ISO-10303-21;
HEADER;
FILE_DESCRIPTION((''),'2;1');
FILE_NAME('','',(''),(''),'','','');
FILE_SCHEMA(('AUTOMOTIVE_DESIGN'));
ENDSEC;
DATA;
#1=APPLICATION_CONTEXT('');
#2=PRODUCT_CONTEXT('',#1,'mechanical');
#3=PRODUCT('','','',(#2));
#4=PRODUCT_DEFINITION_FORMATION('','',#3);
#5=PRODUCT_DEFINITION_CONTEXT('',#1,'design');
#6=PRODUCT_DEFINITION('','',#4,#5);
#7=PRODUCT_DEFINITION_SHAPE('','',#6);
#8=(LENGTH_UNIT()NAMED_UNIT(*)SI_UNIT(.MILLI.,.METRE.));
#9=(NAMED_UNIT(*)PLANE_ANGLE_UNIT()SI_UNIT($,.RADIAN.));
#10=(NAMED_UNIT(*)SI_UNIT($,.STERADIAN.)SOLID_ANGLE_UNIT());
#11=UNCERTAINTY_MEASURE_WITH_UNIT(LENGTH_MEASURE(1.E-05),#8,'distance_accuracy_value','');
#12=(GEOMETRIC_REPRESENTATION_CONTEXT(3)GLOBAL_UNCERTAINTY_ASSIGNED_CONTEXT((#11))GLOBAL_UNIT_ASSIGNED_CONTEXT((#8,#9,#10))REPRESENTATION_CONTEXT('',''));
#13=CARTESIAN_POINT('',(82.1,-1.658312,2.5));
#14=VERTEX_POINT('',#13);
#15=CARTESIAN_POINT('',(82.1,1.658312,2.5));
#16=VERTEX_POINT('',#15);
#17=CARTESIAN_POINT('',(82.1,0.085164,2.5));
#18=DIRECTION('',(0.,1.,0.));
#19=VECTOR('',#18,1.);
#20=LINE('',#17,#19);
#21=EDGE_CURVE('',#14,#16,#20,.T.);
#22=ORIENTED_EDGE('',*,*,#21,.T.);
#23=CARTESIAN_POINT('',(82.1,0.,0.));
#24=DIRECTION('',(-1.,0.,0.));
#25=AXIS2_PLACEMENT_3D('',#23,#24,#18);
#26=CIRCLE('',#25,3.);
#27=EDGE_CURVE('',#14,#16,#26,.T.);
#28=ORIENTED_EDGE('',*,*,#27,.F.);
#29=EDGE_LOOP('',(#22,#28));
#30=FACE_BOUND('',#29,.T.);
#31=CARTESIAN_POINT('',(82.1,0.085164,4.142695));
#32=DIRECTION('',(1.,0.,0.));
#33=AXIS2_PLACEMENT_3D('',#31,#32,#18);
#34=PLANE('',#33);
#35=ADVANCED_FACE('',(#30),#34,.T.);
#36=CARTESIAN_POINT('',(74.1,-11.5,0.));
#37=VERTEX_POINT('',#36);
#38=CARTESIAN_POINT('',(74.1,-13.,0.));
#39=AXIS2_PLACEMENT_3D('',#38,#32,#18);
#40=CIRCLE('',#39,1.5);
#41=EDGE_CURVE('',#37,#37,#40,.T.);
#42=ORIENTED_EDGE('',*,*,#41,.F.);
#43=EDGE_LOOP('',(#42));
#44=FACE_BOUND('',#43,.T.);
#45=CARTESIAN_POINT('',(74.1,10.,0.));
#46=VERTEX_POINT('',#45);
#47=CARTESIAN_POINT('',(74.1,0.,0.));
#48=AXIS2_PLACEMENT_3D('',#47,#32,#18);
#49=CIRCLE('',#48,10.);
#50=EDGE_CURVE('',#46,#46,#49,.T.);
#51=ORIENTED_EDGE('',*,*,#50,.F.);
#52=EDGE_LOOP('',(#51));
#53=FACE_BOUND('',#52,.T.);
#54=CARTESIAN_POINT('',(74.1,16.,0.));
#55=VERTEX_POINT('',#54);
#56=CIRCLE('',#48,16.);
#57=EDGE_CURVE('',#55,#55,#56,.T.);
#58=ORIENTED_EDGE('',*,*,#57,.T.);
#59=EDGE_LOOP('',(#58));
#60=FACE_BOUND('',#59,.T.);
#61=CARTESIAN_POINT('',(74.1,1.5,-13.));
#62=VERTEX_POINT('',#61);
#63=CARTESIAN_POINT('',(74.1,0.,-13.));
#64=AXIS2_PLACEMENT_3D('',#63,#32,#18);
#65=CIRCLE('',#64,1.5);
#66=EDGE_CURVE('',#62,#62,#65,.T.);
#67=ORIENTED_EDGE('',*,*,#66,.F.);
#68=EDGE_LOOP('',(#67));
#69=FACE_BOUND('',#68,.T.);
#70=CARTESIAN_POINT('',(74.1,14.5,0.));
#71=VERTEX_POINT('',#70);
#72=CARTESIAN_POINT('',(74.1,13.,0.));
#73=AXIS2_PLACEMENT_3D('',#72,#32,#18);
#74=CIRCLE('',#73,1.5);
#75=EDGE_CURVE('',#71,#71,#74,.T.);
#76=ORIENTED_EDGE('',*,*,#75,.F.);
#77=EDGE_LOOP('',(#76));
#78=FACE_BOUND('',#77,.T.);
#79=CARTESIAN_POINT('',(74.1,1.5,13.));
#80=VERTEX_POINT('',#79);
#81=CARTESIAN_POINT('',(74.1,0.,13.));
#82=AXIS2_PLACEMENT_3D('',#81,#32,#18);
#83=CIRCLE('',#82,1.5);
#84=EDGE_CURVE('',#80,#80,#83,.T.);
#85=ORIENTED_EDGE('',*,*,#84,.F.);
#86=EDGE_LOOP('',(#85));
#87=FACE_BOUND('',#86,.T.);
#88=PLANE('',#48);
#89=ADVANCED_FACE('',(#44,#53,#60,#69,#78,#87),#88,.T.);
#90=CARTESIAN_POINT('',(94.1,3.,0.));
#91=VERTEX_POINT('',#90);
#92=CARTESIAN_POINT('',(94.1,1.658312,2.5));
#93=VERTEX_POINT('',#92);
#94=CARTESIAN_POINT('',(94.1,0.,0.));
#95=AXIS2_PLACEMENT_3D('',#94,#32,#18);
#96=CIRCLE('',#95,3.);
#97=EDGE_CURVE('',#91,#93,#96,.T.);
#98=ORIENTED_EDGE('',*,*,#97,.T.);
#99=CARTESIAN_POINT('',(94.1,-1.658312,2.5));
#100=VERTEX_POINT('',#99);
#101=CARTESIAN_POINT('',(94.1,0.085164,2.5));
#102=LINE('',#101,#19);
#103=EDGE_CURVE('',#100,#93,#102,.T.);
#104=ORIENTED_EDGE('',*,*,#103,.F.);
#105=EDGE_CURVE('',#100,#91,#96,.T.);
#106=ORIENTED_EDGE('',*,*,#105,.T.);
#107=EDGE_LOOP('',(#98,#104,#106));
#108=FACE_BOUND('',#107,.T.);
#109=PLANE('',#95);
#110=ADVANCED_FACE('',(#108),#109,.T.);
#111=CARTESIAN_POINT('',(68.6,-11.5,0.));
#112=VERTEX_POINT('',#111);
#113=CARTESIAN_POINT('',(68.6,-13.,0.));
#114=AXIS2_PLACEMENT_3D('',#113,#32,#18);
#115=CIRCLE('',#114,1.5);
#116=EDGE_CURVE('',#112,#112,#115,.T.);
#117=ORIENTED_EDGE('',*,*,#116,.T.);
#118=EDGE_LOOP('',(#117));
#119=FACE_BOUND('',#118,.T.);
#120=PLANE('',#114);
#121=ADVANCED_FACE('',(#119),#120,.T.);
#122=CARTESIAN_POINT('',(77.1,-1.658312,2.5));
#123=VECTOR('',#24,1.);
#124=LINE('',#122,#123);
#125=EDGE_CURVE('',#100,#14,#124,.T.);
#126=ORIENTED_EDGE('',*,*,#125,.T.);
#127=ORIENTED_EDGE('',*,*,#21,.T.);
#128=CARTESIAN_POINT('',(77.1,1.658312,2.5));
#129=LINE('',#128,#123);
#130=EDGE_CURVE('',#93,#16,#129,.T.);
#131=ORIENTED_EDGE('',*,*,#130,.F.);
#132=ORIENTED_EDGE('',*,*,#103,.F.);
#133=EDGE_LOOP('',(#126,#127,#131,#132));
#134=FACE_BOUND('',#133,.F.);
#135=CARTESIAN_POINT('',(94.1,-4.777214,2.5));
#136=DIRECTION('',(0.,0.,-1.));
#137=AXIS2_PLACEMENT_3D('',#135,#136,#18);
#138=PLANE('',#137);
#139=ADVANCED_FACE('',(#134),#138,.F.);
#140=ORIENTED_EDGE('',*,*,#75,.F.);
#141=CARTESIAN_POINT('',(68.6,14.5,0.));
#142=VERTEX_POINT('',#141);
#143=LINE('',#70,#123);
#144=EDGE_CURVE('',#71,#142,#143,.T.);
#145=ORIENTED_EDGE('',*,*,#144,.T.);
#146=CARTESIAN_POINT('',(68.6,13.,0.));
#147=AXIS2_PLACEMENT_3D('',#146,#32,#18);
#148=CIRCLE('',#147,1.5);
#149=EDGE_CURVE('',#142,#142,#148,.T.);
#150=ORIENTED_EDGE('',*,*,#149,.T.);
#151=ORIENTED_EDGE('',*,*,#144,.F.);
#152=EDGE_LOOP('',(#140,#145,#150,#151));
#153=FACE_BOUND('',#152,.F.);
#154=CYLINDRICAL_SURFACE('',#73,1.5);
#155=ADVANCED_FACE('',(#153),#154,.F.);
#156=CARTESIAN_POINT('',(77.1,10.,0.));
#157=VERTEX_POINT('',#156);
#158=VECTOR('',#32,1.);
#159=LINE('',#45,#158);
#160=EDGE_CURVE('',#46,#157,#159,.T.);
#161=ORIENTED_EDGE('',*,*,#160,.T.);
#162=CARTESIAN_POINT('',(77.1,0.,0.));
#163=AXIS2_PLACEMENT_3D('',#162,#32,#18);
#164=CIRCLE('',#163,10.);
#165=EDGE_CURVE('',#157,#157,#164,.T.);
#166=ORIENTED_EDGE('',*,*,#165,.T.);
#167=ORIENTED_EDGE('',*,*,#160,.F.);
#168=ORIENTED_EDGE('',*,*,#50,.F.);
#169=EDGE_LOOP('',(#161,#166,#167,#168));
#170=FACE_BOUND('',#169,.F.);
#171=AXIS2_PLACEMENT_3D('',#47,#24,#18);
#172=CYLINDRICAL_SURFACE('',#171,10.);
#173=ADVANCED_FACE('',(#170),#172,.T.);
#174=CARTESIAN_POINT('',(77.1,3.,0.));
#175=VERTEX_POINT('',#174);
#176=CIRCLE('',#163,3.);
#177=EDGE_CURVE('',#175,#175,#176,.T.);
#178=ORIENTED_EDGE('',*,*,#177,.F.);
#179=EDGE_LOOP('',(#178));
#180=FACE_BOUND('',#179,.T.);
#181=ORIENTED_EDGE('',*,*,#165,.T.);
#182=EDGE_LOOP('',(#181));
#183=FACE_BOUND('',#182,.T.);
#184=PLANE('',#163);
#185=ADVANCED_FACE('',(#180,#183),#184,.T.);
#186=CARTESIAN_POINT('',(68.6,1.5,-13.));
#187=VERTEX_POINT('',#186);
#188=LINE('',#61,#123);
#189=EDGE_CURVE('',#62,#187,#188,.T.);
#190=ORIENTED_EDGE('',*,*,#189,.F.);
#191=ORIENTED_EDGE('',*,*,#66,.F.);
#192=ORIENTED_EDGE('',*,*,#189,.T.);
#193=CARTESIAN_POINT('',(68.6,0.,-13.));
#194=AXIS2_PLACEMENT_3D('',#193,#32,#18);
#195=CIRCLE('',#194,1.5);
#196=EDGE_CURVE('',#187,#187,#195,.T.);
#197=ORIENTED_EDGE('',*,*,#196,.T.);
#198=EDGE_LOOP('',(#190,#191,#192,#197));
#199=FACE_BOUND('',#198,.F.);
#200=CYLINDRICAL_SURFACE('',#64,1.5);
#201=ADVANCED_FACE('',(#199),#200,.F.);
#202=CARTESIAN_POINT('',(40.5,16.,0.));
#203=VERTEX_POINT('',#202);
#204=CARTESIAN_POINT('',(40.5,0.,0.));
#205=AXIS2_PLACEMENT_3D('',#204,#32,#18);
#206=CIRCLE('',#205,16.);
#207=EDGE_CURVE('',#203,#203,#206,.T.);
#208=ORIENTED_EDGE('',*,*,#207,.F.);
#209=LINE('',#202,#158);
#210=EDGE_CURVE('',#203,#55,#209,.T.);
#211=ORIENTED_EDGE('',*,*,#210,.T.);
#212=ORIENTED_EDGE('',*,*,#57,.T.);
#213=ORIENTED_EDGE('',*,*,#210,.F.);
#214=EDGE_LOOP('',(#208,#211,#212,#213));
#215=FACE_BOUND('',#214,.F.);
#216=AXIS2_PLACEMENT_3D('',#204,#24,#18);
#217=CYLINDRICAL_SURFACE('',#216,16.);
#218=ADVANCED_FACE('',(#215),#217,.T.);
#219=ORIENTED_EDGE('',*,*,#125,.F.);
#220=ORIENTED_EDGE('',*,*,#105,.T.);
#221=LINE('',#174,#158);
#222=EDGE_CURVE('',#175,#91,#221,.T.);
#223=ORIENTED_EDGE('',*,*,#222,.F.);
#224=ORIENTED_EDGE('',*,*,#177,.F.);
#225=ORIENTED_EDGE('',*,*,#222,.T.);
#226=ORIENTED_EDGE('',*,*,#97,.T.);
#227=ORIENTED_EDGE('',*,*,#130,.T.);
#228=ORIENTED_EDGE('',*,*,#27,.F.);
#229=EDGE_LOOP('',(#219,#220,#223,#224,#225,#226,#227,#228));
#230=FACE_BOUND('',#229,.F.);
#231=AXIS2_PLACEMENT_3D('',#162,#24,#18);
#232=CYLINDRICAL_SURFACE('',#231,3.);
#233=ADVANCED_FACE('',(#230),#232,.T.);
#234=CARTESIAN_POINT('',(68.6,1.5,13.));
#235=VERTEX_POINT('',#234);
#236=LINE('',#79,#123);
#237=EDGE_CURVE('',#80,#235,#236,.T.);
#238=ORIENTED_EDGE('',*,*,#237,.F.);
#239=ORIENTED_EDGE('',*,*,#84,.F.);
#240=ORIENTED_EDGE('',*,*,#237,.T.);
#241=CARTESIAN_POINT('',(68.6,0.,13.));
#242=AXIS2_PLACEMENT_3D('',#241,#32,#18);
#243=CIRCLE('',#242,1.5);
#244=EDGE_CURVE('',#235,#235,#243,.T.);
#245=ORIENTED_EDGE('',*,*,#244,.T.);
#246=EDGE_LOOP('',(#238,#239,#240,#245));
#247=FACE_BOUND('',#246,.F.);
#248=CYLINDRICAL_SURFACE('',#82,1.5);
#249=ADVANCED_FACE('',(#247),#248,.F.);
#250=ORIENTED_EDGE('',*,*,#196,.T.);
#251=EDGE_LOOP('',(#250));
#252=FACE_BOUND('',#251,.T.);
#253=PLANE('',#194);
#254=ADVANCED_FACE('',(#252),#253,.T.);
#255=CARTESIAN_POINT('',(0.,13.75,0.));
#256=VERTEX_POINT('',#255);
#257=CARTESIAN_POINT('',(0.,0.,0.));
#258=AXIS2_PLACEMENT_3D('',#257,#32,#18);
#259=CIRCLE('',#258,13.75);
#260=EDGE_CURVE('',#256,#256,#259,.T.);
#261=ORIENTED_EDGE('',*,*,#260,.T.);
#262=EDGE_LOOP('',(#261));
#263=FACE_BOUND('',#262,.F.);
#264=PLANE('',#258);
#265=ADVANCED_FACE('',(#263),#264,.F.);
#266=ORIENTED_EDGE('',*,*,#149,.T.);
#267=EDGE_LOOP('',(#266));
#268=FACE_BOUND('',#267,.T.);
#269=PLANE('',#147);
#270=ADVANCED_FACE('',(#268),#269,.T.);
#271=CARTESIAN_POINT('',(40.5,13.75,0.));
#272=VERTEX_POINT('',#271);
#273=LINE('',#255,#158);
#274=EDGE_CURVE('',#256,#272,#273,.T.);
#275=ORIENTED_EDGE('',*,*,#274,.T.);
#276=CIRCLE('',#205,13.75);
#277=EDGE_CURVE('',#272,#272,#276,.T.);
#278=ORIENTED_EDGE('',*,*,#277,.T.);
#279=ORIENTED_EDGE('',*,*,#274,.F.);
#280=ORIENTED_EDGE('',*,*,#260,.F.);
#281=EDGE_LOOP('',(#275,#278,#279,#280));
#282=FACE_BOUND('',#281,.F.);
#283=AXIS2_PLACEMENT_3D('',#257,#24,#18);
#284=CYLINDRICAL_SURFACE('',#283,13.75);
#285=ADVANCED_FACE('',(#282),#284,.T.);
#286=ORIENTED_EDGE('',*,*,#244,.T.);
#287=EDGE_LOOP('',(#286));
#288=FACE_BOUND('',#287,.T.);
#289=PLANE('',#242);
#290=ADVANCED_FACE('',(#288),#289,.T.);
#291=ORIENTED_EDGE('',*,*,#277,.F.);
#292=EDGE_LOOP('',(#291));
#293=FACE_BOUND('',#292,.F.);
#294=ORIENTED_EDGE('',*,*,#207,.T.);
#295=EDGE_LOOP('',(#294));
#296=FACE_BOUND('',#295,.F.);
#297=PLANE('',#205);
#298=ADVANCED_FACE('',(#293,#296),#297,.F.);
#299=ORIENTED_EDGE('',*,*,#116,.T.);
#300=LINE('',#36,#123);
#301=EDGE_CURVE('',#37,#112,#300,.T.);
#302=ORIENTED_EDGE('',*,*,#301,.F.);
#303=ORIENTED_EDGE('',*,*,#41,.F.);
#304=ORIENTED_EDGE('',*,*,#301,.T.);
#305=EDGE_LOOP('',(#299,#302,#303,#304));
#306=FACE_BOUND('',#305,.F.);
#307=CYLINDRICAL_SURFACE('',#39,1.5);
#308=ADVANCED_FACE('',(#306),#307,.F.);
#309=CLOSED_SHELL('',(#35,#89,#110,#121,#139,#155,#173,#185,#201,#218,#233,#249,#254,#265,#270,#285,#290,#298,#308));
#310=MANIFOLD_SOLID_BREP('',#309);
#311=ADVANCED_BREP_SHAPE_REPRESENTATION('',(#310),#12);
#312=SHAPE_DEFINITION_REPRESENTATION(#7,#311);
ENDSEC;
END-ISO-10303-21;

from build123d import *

# Parameters (mm, degrees)
F0_R      = 13.75
F1_DEPTH  = 40.5
F2_R      = 16
F3_DEPTH  = 33.6
F4_R      = 10
F5_DEPTH  = 3
F6_R      = 3
F7_DEPTH  = 17
F8_W      = 9.724755
F8_H      = 3.28539
F9_DEPTH  = 12
F10_R     = 1.5
F11_DEPTH = 5.5


with BuildPart() as f1:
    # F0 (on Right) → F1 (new body)
    with BuildSketch(Plane.YZ):
        Circle(F0_R)
    extrude(amount=F1_DEPTH)

    # F2 (on face) → F3 (join)
    with BuildSketch(Plane.YZ.offset(40.5)):
        Circle(F2_R)
    extrude(amount=F3_DEPTH)

    # F4 (on face) → F5 (join)
    with BuildSketch(Plane.YZ.offset(74.1)):
        Circle(F4_R)
    extrude(amount=F5_DEPTH)

    # F6 (on face) → F7 (join)
    with BuildSketch(Plane.YZ.offset(77.1)):
        Circle(F6_R)
    extrude(amount=F7_DEPTH)

    # F8 (on face) → F9 (cut)
    with BuildSketch(Plane.YZ.offset(94.1)):
        with Locations((0.085164, 4.142695)):
            Rectangle(F8_W, F8_H)
    extrude(amount=-F9_DEPTH, mode=Mode.SUBTRACT)

    # F10 (on face) → F11 (cut)
    with BuildSketch(Plane.YZ.offset(74.1)):
        with Locations((0, 13)):
            Circle(F10_R)
        with Locations((13, 0)):
            Circle(F10_R)
        with Locations((0, -13)):
            Circle(F10_R)
        with Locations((-13, 0)):
            Circle(F10_R)
    extrude(amount=-F11_DEPTH, mode=Mode.SUBTRACT)


solid = f1.part
